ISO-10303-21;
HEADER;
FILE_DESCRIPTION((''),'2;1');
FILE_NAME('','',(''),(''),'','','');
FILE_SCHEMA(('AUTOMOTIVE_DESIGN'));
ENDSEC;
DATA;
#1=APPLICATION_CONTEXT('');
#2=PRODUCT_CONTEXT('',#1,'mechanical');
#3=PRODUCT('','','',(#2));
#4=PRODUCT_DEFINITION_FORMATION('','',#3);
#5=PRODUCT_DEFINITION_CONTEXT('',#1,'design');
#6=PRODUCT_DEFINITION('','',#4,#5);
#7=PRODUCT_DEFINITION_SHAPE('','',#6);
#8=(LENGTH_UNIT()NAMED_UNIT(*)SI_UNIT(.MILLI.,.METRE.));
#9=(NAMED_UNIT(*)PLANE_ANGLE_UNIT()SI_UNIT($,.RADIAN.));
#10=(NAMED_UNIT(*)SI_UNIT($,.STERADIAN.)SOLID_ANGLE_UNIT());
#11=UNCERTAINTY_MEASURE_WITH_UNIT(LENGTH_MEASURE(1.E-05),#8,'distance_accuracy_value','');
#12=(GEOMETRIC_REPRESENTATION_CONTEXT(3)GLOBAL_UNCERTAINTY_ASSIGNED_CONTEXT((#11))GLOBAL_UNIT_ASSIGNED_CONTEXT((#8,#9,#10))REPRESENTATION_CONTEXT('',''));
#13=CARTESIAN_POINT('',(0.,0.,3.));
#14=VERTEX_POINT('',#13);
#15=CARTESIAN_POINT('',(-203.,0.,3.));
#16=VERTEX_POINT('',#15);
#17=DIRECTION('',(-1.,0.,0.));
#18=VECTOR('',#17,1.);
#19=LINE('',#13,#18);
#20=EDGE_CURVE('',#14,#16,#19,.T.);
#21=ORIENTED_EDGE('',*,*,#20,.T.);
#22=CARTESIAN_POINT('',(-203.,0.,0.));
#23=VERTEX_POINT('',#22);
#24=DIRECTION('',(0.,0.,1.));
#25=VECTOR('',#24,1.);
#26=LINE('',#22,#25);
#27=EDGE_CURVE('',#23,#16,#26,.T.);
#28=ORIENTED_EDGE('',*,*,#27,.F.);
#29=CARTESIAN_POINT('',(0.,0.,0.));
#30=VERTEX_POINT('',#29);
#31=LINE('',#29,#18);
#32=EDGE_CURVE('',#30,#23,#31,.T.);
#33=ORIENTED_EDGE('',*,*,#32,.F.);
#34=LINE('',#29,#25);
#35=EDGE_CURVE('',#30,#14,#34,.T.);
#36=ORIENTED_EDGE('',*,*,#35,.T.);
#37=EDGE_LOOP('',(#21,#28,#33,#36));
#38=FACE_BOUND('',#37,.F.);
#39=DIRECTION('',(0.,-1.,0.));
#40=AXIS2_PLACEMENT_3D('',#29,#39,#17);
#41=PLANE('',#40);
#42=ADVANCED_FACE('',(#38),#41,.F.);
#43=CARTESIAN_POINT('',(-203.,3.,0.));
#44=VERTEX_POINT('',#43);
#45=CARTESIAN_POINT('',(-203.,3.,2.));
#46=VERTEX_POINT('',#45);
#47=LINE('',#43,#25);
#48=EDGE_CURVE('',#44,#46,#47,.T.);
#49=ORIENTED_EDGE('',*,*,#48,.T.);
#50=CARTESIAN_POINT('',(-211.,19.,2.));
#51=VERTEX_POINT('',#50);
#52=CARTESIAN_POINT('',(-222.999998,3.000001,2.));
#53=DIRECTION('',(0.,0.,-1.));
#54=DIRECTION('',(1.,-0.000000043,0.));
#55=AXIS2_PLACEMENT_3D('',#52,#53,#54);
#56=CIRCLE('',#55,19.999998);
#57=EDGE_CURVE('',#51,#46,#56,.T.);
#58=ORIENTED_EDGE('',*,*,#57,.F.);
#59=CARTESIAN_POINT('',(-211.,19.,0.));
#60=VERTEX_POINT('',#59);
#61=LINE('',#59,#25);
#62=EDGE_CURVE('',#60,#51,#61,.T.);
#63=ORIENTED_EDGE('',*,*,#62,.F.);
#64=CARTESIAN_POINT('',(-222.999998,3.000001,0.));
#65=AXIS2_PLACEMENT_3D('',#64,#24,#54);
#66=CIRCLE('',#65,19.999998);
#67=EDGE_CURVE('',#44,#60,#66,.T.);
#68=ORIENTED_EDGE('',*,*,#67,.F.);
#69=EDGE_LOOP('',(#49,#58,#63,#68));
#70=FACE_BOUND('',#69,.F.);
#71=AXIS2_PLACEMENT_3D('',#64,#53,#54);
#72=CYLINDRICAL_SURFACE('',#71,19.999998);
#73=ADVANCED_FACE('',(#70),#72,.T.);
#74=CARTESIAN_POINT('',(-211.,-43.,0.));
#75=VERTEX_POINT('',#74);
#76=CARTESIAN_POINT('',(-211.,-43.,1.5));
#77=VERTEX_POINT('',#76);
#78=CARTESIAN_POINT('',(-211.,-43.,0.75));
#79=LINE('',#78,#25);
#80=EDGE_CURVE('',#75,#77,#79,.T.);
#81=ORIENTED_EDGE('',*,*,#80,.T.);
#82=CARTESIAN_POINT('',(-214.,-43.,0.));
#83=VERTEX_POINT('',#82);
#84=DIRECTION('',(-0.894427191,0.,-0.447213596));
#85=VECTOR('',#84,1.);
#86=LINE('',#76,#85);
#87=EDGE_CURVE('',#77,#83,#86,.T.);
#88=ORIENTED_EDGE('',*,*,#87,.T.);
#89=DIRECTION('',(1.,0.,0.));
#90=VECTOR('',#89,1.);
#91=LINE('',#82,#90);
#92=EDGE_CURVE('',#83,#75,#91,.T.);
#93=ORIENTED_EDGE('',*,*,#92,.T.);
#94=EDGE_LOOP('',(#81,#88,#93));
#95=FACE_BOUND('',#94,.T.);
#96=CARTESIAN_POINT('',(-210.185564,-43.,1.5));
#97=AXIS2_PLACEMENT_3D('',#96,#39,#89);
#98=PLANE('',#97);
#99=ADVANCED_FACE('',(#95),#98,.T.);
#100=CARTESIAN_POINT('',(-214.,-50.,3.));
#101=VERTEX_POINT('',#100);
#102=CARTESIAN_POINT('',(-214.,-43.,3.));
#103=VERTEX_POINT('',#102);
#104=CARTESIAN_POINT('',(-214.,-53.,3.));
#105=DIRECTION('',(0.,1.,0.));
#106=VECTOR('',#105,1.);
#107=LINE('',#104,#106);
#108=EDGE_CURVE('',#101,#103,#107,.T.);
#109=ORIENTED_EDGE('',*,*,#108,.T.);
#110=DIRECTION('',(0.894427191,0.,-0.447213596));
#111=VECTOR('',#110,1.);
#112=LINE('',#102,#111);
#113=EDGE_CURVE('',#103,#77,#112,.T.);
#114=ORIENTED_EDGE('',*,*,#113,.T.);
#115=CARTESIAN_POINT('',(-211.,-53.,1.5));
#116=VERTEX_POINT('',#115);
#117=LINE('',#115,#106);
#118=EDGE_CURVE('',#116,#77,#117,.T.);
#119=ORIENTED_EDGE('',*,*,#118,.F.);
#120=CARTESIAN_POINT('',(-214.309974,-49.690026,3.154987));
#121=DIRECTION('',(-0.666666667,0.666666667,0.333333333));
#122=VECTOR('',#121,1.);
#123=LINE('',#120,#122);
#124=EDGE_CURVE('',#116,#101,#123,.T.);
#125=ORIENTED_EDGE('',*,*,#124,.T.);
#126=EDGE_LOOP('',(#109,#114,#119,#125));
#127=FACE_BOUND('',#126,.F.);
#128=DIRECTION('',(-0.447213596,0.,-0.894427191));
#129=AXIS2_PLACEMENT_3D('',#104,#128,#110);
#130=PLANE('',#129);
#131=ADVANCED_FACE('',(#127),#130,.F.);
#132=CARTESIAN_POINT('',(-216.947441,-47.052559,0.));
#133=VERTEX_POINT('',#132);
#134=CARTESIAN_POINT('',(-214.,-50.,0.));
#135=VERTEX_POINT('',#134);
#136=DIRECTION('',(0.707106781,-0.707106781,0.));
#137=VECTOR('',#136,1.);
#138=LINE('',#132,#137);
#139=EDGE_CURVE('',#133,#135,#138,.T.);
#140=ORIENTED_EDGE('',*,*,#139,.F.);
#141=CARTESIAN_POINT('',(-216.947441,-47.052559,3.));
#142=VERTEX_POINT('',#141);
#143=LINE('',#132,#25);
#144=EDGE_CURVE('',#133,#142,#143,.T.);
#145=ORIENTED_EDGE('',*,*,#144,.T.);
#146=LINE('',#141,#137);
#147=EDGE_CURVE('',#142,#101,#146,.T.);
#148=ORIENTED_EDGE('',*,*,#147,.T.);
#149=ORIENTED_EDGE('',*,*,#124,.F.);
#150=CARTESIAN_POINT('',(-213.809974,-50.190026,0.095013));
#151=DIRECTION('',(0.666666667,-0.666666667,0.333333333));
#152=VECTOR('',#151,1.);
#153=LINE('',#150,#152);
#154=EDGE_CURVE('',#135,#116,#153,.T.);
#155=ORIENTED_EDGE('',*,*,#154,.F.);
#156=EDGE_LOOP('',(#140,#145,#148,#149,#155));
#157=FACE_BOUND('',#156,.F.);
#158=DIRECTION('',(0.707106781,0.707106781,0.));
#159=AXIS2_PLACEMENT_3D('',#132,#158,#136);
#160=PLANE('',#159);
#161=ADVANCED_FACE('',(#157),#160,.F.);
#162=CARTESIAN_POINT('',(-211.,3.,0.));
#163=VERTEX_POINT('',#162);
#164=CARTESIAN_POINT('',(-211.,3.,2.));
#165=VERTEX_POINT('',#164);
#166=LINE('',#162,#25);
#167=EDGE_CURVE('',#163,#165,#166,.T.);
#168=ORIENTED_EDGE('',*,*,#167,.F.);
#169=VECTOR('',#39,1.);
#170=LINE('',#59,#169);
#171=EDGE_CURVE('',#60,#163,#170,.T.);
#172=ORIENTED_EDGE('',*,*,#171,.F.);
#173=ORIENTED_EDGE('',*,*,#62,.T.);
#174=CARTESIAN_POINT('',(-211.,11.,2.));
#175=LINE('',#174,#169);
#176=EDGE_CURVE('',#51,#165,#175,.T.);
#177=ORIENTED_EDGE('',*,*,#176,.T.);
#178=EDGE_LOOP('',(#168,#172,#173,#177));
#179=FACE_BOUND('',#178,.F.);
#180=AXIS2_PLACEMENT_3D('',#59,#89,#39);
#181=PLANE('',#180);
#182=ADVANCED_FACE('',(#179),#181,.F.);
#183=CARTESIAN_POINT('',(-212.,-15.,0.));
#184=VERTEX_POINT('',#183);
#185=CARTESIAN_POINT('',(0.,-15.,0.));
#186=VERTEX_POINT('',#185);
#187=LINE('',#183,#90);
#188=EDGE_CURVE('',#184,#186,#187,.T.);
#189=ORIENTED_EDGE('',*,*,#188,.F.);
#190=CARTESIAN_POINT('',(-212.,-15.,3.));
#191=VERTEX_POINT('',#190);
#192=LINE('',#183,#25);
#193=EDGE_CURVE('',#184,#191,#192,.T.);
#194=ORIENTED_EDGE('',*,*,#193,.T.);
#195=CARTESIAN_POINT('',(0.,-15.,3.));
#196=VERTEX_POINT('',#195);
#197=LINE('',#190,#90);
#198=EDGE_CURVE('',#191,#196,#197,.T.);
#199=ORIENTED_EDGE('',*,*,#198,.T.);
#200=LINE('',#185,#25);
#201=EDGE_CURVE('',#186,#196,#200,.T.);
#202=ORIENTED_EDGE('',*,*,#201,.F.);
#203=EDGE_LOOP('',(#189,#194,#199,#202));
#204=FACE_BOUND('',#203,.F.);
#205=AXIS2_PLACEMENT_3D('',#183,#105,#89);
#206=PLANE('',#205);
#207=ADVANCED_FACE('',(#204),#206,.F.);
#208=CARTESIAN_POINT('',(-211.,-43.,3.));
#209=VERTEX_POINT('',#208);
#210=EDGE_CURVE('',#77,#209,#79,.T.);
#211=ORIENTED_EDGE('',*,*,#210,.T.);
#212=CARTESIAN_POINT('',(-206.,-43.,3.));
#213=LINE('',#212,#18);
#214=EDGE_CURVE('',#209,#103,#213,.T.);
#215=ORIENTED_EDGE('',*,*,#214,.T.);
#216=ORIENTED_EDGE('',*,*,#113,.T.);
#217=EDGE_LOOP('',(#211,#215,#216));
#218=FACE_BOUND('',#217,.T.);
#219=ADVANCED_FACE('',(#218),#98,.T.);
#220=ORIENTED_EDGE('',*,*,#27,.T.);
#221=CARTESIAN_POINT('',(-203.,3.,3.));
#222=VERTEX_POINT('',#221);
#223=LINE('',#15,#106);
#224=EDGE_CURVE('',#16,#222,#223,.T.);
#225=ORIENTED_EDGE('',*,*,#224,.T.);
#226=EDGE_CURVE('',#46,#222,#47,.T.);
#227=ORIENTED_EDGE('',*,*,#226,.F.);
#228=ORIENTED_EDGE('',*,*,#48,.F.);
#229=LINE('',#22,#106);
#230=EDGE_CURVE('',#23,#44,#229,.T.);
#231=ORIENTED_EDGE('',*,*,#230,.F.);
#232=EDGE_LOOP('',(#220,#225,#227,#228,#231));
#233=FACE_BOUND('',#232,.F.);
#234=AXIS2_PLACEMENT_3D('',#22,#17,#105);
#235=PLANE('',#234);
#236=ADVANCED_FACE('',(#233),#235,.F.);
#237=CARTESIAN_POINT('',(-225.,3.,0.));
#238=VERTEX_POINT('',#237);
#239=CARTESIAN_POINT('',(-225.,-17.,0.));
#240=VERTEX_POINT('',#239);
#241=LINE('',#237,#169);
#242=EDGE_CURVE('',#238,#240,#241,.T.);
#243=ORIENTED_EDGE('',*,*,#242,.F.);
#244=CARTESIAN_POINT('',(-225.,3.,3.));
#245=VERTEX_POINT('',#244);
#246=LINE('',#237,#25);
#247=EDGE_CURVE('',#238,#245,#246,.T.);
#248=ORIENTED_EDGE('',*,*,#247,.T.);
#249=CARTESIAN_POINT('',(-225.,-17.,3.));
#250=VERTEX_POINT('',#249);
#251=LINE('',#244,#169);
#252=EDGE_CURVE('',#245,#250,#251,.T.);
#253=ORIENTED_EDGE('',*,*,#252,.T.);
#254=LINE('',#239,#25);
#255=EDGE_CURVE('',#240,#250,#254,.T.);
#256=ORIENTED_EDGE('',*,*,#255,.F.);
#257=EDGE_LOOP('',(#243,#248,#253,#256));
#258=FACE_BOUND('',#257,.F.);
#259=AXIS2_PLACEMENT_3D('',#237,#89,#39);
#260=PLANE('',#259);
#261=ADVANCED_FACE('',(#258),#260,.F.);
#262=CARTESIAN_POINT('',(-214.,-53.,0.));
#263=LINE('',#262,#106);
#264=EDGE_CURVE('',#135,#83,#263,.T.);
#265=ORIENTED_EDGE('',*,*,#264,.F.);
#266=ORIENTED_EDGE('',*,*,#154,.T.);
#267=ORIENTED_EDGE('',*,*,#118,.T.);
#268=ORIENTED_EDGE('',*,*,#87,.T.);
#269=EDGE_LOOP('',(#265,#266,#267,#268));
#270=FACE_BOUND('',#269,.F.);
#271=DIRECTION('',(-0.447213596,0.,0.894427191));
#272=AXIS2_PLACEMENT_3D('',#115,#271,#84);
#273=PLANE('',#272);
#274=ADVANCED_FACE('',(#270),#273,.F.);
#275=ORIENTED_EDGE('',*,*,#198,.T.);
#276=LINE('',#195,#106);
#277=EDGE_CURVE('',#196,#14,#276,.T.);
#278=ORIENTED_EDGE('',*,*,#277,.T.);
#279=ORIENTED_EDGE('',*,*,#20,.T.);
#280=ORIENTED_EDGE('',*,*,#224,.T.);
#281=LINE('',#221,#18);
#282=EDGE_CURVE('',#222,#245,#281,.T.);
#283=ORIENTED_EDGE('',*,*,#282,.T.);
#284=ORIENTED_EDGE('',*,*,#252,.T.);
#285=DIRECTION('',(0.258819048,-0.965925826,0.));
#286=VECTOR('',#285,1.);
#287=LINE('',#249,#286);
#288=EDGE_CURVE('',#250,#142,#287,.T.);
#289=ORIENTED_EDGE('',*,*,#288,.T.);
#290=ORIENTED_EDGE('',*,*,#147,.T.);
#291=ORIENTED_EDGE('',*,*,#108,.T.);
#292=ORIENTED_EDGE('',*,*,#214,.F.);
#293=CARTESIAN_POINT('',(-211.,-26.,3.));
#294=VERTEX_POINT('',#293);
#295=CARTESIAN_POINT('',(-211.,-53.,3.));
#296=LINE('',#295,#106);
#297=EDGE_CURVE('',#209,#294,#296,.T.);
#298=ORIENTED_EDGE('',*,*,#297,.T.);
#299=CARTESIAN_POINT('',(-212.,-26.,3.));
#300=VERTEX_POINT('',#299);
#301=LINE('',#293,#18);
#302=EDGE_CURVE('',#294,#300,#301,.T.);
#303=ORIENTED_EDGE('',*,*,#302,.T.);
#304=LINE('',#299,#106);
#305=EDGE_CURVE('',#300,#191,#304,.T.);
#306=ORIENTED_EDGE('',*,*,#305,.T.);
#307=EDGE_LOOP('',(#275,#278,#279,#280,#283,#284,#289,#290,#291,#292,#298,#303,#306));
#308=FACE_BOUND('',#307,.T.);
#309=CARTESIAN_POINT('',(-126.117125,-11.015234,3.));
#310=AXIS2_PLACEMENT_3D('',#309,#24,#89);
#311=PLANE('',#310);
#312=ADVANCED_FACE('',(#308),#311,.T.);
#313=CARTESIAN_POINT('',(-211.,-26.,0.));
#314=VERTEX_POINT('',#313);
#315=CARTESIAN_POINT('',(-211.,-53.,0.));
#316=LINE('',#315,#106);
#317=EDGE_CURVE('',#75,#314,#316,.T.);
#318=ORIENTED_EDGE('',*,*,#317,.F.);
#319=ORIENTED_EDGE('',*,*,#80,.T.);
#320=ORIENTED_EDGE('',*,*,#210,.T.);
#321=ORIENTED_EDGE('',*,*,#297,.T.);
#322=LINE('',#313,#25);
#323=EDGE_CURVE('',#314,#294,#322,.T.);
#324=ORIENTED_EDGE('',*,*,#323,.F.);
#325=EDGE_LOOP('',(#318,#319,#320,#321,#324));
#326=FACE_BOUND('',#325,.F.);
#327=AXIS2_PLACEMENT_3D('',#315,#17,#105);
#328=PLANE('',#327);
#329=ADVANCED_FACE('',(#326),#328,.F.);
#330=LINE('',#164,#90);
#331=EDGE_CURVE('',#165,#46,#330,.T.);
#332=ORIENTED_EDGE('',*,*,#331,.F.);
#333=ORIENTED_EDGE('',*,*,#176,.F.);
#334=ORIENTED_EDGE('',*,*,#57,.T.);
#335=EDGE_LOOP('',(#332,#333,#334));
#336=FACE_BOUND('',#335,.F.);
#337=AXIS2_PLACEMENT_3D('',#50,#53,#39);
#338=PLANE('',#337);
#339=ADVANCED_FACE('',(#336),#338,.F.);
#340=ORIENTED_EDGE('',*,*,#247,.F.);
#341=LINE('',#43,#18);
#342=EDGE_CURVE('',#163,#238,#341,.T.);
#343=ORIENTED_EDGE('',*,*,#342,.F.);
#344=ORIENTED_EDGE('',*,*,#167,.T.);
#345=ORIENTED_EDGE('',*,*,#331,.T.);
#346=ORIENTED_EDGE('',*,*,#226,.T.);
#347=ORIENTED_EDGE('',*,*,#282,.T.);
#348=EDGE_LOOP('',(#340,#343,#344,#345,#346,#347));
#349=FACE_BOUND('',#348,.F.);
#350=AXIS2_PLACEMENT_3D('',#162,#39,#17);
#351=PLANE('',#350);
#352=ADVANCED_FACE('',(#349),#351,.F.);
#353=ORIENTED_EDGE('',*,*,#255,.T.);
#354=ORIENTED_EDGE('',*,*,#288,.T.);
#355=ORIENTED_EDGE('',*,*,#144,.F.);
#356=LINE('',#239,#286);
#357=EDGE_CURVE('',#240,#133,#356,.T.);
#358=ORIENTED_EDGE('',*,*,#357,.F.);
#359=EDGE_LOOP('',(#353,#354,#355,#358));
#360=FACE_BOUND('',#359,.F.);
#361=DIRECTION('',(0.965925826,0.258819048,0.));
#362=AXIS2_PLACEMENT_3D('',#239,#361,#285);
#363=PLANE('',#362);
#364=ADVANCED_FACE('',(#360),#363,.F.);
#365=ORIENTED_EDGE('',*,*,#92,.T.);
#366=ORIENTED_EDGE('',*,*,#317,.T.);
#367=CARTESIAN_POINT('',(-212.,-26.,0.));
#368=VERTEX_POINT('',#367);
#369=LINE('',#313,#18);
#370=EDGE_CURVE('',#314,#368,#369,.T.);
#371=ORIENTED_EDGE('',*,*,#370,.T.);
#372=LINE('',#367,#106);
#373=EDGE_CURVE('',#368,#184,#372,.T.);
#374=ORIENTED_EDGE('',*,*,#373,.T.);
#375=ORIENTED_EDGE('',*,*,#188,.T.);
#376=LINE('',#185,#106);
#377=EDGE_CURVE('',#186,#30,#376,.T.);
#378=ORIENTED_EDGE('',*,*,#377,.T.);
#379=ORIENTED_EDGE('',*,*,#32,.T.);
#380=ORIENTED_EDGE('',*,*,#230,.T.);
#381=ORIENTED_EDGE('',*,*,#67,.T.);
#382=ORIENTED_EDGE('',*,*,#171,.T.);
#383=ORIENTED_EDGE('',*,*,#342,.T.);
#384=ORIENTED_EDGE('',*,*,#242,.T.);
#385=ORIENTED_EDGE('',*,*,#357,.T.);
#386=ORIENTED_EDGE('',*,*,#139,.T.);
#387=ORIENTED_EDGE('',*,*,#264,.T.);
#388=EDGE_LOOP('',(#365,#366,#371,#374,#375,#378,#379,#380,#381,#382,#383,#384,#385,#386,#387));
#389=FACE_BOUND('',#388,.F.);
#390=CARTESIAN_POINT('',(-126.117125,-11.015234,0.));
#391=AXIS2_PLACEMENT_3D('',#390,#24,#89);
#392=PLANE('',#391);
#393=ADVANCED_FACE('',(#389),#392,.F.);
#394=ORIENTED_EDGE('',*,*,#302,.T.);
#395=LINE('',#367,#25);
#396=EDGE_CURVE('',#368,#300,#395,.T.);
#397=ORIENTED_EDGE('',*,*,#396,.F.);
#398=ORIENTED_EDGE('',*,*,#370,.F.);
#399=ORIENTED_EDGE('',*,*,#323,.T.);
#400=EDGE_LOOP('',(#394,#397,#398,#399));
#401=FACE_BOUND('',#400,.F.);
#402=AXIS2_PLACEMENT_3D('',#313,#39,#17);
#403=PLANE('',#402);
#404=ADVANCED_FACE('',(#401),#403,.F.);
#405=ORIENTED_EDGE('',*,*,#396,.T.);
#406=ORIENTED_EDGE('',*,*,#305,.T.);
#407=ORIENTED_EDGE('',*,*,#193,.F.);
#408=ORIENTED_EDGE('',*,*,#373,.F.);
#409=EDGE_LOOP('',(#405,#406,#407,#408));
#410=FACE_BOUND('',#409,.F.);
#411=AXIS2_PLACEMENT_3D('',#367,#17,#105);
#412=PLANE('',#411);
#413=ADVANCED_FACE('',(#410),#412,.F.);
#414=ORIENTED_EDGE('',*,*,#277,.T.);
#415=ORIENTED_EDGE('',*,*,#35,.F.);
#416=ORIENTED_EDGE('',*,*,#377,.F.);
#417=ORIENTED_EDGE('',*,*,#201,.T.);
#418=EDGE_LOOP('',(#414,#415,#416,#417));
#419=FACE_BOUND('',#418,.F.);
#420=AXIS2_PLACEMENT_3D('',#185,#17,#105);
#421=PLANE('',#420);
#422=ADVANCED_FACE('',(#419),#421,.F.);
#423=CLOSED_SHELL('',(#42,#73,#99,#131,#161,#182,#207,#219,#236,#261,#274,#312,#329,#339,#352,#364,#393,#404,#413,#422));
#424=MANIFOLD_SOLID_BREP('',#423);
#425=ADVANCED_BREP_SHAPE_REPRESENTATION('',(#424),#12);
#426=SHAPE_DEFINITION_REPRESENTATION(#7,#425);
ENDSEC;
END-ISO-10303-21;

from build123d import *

# Parameters (mm, degrees)
F1_DEPTH = 3
F2_W     = 16
F2_H     = 1
F3_DEPTH = 10
F6_DEPTH = 10


with BuildPart() as f1:
    # F0 (on Top) → F1 (new body)
    with BuildSketch(Plane.XY):
        Polygon((0, -15), (0, 0), (-203, 0), (-203, 3), (-211, 3), (-225, 3), (-225, -17), (-216.947441, -47.052559), (-211, -53), (-211, -26), (-212, -26), (-212, -15), align=None)
        with BuildLine():
            Line((-211, 3), (-203, 3))
            ThreePointArc((-203, 3), (-205.111456, 11.944272), (-211, 19))
            Line((-211, 19), (-211, 3))
        make_face()
    extrude(amount=F1_DEPTH)

    # F2 (on face) → F3 (cut)
    with BuildSketch(Plane(origin=(-211, 0, 0), x_dir=(0, -1, 0), z_dir=(-1, 0, 0))):
        with Locations((-11, 2.5)):
            Rectangle(F2_W, F2_H)
    extrude(amount=-F3_DEPTH, mode=Mode.SUBTRACT)

    # F5 (on offset) → F6 (cut)
    with BuildSketch(Plane.XZ.offset(53)):
        Polygon((-214, 3), (-211, 1.5), (-214, 0), (-206, 0), (-206, 3), align=None)
    extrude(amount=-F6_DEPTH, mode=Mode.SUBTRACT)


solid = f1.part
